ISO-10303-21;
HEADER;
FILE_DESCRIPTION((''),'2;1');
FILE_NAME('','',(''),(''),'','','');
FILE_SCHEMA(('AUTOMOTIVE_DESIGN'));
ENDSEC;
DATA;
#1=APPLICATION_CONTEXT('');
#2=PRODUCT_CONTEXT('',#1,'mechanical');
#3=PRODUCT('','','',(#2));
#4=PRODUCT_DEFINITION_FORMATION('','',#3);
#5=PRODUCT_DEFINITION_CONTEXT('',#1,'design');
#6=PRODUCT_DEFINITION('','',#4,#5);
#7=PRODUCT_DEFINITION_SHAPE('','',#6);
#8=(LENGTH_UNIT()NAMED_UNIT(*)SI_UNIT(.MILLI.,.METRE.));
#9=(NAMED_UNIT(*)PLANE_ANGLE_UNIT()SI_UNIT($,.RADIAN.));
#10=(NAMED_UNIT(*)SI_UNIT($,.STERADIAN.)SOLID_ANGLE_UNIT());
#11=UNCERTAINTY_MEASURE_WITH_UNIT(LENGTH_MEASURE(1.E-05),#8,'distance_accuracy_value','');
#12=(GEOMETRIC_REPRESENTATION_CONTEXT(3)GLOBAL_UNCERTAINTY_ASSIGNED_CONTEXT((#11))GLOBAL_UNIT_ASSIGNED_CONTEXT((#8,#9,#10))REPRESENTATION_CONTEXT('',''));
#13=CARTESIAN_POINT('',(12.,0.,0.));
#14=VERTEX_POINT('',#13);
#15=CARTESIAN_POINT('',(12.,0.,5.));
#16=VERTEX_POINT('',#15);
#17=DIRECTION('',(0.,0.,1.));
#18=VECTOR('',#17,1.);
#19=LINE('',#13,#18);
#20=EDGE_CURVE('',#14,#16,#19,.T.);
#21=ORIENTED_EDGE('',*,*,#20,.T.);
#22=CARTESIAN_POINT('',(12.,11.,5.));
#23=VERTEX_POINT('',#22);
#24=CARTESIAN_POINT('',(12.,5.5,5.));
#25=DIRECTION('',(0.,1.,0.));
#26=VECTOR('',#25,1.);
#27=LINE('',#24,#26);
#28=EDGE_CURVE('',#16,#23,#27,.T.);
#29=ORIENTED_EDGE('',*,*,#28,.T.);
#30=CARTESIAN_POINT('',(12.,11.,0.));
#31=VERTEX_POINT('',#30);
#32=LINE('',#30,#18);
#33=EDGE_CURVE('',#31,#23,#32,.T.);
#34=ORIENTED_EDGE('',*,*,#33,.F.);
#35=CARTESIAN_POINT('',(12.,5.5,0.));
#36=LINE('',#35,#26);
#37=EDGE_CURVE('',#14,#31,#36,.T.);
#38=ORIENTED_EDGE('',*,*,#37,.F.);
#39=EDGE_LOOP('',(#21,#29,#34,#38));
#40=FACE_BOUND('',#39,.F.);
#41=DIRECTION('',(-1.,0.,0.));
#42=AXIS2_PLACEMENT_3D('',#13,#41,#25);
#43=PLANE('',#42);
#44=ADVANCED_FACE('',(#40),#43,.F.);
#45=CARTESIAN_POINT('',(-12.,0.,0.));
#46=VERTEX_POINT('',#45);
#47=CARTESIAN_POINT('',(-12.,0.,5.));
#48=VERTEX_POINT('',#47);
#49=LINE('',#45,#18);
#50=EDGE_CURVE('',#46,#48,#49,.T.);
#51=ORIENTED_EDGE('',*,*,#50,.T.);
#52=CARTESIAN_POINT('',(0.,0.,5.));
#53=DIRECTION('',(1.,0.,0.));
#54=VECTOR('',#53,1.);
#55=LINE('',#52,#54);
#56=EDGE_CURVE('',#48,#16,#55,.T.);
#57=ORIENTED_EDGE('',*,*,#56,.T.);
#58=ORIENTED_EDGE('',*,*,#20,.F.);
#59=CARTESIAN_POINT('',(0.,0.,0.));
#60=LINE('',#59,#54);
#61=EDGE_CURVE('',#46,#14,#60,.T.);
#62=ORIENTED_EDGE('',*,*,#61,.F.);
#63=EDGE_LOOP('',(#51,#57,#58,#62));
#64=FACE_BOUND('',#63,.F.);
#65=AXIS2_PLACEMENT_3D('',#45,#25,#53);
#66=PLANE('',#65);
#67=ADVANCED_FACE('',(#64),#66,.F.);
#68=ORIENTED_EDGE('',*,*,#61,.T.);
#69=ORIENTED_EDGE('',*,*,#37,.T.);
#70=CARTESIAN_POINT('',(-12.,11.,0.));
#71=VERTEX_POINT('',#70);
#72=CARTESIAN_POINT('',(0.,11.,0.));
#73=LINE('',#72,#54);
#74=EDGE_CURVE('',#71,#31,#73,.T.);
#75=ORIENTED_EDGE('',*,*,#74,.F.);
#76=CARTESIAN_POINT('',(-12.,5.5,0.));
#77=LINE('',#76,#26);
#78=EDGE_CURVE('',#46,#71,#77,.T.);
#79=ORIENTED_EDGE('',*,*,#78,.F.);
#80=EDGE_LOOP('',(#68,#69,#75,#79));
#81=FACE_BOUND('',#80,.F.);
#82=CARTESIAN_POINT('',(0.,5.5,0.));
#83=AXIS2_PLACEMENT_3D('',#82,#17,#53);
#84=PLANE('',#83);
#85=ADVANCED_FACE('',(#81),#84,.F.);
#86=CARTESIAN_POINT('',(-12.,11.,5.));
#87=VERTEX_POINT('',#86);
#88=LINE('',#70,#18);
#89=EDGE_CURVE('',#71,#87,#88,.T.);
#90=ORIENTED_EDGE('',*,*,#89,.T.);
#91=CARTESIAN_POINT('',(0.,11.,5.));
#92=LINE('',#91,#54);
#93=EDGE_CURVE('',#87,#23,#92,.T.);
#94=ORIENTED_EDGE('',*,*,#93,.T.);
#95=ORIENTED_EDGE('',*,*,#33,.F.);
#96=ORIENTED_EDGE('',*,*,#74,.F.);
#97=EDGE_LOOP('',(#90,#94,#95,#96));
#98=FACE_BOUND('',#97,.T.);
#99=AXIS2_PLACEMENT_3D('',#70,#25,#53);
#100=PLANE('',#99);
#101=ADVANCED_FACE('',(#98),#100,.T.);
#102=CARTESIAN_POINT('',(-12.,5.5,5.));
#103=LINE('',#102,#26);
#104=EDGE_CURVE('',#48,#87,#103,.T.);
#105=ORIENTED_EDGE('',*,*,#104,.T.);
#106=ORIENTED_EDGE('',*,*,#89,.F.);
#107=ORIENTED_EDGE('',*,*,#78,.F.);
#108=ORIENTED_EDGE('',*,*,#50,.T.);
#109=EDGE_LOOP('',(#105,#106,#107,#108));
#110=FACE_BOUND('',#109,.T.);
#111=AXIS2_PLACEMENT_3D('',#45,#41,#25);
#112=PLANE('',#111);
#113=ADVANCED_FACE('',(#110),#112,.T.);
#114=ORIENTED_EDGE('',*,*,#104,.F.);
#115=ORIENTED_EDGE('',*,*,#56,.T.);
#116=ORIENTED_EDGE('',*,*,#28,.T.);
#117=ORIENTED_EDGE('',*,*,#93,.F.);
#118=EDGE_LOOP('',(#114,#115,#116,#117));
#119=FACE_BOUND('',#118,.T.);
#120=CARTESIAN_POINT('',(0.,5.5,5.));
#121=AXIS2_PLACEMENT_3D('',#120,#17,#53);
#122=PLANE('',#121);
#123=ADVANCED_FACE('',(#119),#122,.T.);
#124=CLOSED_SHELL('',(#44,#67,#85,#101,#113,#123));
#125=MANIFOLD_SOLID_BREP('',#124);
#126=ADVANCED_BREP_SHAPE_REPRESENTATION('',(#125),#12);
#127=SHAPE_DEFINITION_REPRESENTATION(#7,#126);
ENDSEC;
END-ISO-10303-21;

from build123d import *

# Parameters (mm, degrees)
SKETCH_W  = 24
SKETCH_H  = 11
PAD_DEPTH = 5


with BuildPart() as part:
    # Sketch → Pad (new body)
    with BuildSketch(Plane.XY):
        with Locations((0, 5.5)):
            Rectangle(SKETCH_W, SKETCH_H)
    extrude(amount=PAD_DEPTH)


solid = part.part
